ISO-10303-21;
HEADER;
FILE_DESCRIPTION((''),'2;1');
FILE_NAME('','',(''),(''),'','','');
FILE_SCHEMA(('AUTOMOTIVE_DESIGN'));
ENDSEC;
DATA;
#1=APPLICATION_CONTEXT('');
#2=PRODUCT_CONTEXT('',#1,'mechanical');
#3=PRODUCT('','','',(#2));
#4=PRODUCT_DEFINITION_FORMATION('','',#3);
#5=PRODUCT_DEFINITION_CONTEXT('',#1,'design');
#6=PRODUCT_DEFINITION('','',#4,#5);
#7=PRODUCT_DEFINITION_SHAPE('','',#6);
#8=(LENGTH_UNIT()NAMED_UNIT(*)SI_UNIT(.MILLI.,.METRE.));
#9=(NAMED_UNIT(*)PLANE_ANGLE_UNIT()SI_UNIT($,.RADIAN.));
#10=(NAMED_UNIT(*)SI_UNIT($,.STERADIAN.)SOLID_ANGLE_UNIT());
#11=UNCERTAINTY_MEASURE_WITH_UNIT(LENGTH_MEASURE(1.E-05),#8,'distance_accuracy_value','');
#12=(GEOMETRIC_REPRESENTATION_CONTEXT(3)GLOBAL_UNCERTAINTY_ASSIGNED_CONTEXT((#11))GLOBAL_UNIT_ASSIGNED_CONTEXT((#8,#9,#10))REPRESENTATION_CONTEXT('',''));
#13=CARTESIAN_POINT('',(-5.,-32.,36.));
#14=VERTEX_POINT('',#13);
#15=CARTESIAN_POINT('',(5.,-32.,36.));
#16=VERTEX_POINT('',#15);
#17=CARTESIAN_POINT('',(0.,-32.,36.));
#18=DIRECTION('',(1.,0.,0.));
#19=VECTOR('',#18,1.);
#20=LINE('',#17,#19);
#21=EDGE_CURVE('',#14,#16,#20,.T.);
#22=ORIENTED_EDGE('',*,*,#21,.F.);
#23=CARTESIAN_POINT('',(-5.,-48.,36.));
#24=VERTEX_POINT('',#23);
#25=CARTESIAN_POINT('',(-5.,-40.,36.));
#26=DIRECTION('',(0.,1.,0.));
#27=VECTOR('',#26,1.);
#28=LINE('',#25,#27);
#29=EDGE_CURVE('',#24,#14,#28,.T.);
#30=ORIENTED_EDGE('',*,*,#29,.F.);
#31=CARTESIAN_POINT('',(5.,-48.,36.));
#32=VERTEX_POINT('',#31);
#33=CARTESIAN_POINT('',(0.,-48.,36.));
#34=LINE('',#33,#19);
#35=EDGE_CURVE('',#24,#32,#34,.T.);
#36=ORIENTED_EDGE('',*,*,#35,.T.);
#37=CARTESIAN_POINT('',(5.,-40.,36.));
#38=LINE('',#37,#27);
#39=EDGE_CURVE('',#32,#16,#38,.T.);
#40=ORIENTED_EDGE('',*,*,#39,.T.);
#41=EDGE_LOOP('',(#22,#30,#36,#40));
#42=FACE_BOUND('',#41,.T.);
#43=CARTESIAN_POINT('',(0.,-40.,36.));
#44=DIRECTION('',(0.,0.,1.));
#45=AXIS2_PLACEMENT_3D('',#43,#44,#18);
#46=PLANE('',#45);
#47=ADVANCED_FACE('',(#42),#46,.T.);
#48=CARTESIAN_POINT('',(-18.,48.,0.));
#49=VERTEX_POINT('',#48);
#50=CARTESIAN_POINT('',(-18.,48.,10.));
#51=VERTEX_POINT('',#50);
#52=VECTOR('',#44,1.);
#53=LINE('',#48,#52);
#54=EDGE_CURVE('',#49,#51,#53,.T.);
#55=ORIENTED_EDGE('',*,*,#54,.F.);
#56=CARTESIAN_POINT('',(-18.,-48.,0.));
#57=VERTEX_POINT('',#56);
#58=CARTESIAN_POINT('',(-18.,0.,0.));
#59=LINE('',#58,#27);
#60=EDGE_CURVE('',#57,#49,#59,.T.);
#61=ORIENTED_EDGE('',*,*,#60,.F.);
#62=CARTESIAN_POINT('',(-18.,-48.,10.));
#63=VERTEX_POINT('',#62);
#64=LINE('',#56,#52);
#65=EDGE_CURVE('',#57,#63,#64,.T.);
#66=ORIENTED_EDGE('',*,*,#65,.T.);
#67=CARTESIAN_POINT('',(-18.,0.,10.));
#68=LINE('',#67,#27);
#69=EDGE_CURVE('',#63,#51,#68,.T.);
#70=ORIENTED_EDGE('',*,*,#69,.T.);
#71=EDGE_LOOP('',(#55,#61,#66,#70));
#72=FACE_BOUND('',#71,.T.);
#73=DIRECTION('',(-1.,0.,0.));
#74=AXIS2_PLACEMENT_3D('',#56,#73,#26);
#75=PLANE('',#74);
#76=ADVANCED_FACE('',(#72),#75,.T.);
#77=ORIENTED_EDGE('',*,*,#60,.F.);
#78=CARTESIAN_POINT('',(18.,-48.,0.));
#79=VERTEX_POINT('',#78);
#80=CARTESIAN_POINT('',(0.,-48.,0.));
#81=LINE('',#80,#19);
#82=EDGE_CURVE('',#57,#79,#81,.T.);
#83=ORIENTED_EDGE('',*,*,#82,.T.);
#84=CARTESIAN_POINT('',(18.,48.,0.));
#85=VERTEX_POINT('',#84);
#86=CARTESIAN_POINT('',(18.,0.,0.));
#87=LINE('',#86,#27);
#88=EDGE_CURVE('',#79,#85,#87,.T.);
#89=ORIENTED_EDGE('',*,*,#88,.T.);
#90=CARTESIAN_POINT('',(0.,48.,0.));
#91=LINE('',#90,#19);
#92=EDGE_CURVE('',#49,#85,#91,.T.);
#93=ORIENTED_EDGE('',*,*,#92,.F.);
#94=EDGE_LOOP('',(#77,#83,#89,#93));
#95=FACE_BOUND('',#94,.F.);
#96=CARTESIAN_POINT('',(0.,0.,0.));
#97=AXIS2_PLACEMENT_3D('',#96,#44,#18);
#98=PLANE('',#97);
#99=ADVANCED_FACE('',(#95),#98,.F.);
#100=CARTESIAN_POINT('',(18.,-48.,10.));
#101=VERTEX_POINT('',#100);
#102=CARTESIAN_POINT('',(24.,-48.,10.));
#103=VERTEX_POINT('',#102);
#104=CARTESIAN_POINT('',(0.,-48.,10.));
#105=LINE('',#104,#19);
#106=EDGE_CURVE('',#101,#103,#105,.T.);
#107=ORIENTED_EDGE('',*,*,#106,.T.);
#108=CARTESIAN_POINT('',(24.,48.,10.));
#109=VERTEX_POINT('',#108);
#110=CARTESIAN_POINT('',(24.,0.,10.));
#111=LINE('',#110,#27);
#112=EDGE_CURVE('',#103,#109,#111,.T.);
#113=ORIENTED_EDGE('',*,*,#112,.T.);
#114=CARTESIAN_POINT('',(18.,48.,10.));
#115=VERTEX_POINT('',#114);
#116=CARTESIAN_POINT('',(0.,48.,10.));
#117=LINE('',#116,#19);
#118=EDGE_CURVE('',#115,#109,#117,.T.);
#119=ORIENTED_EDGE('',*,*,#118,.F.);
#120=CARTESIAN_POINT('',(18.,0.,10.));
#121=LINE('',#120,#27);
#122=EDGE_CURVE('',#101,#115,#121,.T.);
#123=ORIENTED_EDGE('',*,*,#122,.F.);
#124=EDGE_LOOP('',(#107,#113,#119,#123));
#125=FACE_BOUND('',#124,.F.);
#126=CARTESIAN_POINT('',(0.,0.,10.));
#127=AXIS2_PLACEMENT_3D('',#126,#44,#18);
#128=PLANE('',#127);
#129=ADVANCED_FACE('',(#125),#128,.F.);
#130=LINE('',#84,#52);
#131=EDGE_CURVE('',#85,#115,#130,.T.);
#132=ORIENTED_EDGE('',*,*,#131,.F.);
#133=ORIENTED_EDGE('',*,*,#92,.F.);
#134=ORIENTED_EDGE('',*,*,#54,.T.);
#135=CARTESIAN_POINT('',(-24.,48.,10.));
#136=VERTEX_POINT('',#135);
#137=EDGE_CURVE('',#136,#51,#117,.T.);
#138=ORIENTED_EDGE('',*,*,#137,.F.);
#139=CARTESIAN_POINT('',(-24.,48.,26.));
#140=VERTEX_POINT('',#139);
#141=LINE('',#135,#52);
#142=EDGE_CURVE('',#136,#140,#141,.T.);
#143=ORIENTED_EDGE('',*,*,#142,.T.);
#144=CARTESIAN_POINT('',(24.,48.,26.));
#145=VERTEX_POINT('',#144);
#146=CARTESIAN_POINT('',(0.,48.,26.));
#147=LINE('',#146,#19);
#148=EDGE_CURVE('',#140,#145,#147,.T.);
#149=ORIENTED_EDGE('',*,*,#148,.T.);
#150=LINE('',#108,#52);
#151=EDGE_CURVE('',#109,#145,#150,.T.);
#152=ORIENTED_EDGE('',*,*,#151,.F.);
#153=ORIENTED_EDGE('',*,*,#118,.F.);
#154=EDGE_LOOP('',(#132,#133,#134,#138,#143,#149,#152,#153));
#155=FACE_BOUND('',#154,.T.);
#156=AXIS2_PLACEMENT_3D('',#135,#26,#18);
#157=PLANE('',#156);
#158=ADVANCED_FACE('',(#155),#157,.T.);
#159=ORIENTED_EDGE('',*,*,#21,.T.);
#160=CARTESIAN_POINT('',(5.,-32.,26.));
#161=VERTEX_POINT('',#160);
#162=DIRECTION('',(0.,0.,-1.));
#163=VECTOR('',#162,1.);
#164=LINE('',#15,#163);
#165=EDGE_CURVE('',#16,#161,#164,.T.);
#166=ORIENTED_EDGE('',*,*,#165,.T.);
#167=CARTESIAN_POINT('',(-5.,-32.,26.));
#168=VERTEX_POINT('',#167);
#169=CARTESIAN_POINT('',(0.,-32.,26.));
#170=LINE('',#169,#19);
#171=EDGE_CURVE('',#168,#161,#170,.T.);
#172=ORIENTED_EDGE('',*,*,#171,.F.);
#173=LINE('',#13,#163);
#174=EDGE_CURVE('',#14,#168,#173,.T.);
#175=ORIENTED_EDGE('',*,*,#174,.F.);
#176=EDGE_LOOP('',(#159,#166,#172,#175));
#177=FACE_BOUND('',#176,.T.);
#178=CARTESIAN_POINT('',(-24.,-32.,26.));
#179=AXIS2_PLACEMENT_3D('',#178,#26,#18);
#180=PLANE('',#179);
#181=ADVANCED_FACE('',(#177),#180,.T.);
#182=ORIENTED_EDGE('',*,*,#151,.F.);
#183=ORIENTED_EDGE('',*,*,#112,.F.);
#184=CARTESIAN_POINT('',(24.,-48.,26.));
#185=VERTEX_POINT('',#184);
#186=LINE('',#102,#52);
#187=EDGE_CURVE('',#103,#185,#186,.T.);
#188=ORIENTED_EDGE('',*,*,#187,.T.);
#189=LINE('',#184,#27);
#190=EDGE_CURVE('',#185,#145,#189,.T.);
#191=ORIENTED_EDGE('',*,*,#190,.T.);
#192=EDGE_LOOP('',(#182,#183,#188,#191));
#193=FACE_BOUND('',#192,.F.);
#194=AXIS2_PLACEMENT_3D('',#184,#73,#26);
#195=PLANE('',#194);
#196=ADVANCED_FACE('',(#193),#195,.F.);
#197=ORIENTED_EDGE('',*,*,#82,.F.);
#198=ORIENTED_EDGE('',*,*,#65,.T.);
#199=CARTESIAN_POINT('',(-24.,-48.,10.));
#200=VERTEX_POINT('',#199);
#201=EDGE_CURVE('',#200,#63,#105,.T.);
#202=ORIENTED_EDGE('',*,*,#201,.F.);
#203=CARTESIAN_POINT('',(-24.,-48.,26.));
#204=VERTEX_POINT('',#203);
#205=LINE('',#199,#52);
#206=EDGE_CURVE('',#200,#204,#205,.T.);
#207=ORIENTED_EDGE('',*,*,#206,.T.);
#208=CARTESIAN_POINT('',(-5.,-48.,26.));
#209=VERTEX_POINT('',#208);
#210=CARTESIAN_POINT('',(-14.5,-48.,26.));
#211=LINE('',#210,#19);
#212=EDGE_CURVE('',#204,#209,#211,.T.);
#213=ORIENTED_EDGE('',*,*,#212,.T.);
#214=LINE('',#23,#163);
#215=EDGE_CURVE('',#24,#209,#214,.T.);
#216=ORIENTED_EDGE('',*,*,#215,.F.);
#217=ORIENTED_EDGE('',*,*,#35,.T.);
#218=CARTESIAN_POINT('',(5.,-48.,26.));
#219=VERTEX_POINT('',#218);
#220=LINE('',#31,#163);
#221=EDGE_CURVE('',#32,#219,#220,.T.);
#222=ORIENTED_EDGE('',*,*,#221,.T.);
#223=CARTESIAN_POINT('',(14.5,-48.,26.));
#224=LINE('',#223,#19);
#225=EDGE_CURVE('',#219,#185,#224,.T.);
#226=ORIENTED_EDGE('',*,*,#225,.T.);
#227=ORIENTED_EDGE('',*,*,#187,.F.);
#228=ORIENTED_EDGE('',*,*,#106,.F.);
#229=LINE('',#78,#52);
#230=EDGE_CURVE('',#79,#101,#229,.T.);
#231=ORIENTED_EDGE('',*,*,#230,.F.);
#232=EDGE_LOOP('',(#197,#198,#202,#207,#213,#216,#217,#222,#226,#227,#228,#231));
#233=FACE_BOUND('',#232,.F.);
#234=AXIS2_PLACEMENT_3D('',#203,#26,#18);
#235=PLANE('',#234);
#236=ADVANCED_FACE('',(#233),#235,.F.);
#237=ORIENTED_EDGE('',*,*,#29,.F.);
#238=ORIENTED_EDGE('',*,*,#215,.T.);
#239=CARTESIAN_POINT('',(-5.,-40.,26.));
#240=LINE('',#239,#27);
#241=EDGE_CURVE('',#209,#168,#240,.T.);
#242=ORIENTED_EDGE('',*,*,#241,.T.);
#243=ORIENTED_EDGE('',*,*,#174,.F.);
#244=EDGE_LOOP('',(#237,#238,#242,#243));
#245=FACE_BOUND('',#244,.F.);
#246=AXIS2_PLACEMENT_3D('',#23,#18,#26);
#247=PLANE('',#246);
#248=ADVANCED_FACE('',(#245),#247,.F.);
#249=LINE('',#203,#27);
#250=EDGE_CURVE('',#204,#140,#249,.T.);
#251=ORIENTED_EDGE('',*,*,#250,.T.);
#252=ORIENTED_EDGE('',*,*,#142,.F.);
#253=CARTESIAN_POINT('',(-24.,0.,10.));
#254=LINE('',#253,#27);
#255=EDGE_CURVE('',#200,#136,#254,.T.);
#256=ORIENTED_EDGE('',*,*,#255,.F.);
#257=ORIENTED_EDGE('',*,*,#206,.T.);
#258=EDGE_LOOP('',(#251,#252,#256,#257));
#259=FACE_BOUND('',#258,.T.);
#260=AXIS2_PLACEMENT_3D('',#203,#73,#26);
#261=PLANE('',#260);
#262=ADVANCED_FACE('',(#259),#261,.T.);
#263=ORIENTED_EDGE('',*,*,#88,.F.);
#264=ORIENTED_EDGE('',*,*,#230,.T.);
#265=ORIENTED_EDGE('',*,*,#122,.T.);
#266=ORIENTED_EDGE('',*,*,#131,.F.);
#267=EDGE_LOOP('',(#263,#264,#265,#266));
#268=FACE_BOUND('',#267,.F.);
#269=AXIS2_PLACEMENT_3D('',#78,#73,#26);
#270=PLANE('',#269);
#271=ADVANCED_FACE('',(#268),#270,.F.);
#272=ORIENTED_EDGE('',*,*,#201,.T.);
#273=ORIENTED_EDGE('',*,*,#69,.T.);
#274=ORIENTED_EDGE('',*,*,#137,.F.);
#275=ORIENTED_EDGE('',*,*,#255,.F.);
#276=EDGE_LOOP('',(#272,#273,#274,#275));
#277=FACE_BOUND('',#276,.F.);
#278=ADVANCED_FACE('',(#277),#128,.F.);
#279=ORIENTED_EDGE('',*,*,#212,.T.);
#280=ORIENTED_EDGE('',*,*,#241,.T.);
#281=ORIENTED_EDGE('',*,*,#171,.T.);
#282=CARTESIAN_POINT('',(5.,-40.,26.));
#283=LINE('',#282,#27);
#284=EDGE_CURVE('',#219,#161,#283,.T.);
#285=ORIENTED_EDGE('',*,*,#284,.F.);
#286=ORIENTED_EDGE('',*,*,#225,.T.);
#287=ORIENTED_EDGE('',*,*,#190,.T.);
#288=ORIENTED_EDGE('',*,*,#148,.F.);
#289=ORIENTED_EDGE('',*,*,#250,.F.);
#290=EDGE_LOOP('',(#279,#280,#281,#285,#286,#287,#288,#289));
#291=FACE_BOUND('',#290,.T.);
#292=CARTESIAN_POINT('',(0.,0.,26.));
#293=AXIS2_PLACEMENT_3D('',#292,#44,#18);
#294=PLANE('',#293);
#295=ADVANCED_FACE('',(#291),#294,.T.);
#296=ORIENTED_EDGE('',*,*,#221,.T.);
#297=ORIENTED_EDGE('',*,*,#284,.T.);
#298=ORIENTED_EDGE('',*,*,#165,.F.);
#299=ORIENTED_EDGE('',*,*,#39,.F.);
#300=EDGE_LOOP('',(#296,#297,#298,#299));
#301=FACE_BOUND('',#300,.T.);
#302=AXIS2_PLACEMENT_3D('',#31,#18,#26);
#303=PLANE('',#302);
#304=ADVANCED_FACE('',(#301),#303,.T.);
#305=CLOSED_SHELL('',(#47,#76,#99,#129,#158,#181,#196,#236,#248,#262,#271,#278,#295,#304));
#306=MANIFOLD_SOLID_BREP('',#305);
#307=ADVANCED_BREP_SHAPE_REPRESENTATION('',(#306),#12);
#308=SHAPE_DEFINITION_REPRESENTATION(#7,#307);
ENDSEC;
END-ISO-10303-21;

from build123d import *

# Parameters (mm, degrees)
F0_W     = 36
F0_H     = 96
F1_DEPTH = 10
F2_W     = 48
F2_H     = 96
F3_DEPTH = 16
F4_W     = 48
F4_H     = 16
F5_DEPTH = 10
F6_W     = 19
F6_H     = 16
F7_DEPTH = 10


with BuildPart() as f1:
    # F0 (on Top) → F1 (new body)
    with BuildSketch(Plane.XY):
        Rectangle(F0_W, F0_H)
    extrude(amount=F1_DEPTH)

    # F2 (on face) → F3 (join)
    with BuildSketch(Plane.XY.offset(10)):
        Rectangle(F2_W, F2_H)
    extrude(amount=F3_DEPTH)

    # F4 (on face) → F5 (join)
    with BuildSketch(Plane.XY.offset(26)):
        with Locations((0, -40)):
            Rectangle(F4_W, F4_H)
    extrude(amount=F5_DEPTH)

    # F6 (on face) → F7 (cut)
    with BuildSketch(Plane.XY.offset(36)):
        with Locations((-14.5, -40)):
            Rectangle(F6_W, F6_H)
        with Locations((14.5, -40)):
            Rectangle(F6_W, F6_H)
    extrude(amount=-F7_DEPTH, mode=Mode.SUBTRACT)


solid = f1.part
